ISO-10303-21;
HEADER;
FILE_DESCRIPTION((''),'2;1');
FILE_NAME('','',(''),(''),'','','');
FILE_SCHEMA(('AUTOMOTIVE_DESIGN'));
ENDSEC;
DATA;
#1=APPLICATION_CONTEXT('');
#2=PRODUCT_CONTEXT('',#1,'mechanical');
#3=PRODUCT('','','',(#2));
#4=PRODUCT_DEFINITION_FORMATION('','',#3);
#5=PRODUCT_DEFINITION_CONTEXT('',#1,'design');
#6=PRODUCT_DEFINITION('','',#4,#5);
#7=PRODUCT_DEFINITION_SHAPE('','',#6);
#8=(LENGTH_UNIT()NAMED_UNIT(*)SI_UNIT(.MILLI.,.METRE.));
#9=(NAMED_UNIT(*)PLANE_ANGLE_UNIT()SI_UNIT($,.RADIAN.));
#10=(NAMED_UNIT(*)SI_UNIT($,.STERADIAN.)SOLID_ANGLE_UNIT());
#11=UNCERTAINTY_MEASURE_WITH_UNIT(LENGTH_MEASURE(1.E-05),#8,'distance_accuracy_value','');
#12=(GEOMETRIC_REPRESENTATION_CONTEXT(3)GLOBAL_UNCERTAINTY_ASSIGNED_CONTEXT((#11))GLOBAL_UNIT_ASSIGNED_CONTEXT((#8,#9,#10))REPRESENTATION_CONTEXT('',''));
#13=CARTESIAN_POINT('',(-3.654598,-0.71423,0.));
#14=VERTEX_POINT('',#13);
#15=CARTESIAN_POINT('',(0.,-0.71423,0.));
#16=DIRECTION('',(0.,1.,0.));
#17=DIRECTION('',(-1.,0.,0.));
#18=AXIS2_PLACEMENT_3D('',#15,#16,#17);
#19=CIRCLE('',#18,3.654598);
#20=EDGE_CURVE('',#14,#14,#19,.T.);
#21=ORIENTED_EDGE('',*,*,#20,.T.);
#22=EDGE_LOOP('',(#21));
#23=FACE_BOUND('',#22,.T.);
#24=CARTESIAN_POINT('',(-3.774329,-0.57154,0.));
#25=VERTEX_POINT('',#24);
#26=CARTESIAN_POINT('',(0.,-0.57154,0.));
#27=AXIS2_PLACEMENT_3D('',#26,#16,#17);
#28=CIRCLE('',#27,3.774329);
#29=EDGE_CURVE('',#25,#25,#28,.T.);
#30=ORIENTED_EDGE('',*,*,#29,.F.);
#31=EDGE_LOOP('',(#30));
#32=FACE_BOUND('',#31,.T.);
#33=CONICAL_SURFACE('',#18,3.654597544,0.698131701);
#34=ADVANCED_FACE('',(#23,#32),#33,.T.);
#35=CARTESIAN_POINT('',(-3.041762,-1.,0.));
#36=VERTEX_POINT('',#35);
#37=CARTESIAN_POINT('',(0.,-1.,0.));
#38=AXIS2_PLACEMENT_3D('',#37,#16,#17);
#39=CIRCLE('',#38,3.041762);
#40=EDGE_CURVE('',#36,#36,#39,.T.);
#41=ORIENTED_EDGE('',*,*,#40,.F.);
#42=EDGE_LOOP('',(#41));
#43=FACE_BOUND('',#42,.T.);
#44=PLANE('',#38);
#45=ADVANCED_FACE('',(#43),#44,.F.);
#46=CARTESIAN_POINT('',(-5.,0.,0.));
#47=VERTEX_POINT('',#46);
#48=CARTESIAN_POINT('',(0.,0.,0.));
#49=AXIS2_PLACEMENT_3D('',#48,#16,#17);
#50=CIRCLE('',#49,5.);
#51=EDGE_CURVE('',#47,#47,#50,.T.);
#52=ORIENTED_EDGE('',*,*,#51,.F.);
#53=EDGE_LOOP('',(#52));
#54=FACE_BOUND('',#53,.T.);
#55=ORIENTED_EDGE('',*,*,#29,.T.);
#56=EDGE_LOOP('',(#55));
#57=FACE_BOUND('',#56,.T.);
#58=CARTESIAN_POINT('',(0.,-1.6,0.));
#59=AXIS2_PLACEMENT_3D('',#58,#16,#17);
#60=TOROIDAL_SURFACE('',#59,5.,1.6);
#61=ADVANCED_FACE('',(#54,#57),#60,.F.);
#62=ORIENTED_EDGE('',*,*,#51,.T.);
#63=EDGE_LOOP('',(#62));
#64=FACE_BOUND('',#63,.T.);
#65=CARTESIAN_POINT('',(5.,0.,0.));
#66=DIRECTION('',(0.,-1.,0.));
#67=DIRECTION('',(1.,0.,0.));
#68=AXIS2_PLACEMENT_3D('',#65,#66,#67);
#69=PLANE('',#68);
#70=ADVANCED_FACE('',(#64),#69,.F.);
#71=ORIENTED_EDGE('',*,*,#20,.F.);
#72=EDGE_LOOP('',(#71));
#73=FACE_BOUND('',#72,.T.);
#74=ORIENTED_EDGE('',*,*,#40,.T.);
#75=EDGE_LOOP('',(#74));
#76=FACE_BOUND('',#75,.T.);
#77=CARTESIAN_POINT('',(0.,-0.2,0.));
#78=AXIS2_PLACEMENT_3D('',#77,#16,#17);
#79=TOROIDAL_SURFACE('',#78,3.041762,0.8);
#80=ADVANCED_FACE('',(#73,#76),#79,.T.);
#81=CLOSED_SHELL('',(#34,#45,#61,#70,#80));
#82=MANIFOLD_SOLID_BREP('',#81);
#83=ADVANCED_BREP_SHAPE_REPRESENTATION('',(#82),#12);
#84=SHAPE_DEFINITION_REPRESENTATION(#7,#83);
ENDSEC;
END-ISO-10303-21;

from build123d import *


with BuildPart() as part:
    # Эскиз1 → Повернуть1 (revolve)
    with BuildSketch(Plane.XY, mode=Mode.PRIVATE) as revolve_1_sk:
        with BuildLine():
            Line((0, 0), (0, -1))
            Line((0, -1), (3.041761989, -1))
            ThreePointArc((3.041761989, -1), (3.379856599, -0.92504623), (3.654597544, -0.714230088))
            Line((3.654597544, -0.714230088), (3.774328891, -0.571539825))
            ThreePointArc((3.774328891, -0.571539825), (4.323810781, -0.149907541), (5, 0))
            Line((5, 0), (2.375676293, 0))
            Line((2.375676293, 0), (0, 0))
        make_face()
    revolve(revolve_1_sk.sketch.rotate(Axis((0, 0, 0), (0, -1, 0)), 180), axis=Axis((0, 0, 0), (0, -1, 0)))


solid = part.part
